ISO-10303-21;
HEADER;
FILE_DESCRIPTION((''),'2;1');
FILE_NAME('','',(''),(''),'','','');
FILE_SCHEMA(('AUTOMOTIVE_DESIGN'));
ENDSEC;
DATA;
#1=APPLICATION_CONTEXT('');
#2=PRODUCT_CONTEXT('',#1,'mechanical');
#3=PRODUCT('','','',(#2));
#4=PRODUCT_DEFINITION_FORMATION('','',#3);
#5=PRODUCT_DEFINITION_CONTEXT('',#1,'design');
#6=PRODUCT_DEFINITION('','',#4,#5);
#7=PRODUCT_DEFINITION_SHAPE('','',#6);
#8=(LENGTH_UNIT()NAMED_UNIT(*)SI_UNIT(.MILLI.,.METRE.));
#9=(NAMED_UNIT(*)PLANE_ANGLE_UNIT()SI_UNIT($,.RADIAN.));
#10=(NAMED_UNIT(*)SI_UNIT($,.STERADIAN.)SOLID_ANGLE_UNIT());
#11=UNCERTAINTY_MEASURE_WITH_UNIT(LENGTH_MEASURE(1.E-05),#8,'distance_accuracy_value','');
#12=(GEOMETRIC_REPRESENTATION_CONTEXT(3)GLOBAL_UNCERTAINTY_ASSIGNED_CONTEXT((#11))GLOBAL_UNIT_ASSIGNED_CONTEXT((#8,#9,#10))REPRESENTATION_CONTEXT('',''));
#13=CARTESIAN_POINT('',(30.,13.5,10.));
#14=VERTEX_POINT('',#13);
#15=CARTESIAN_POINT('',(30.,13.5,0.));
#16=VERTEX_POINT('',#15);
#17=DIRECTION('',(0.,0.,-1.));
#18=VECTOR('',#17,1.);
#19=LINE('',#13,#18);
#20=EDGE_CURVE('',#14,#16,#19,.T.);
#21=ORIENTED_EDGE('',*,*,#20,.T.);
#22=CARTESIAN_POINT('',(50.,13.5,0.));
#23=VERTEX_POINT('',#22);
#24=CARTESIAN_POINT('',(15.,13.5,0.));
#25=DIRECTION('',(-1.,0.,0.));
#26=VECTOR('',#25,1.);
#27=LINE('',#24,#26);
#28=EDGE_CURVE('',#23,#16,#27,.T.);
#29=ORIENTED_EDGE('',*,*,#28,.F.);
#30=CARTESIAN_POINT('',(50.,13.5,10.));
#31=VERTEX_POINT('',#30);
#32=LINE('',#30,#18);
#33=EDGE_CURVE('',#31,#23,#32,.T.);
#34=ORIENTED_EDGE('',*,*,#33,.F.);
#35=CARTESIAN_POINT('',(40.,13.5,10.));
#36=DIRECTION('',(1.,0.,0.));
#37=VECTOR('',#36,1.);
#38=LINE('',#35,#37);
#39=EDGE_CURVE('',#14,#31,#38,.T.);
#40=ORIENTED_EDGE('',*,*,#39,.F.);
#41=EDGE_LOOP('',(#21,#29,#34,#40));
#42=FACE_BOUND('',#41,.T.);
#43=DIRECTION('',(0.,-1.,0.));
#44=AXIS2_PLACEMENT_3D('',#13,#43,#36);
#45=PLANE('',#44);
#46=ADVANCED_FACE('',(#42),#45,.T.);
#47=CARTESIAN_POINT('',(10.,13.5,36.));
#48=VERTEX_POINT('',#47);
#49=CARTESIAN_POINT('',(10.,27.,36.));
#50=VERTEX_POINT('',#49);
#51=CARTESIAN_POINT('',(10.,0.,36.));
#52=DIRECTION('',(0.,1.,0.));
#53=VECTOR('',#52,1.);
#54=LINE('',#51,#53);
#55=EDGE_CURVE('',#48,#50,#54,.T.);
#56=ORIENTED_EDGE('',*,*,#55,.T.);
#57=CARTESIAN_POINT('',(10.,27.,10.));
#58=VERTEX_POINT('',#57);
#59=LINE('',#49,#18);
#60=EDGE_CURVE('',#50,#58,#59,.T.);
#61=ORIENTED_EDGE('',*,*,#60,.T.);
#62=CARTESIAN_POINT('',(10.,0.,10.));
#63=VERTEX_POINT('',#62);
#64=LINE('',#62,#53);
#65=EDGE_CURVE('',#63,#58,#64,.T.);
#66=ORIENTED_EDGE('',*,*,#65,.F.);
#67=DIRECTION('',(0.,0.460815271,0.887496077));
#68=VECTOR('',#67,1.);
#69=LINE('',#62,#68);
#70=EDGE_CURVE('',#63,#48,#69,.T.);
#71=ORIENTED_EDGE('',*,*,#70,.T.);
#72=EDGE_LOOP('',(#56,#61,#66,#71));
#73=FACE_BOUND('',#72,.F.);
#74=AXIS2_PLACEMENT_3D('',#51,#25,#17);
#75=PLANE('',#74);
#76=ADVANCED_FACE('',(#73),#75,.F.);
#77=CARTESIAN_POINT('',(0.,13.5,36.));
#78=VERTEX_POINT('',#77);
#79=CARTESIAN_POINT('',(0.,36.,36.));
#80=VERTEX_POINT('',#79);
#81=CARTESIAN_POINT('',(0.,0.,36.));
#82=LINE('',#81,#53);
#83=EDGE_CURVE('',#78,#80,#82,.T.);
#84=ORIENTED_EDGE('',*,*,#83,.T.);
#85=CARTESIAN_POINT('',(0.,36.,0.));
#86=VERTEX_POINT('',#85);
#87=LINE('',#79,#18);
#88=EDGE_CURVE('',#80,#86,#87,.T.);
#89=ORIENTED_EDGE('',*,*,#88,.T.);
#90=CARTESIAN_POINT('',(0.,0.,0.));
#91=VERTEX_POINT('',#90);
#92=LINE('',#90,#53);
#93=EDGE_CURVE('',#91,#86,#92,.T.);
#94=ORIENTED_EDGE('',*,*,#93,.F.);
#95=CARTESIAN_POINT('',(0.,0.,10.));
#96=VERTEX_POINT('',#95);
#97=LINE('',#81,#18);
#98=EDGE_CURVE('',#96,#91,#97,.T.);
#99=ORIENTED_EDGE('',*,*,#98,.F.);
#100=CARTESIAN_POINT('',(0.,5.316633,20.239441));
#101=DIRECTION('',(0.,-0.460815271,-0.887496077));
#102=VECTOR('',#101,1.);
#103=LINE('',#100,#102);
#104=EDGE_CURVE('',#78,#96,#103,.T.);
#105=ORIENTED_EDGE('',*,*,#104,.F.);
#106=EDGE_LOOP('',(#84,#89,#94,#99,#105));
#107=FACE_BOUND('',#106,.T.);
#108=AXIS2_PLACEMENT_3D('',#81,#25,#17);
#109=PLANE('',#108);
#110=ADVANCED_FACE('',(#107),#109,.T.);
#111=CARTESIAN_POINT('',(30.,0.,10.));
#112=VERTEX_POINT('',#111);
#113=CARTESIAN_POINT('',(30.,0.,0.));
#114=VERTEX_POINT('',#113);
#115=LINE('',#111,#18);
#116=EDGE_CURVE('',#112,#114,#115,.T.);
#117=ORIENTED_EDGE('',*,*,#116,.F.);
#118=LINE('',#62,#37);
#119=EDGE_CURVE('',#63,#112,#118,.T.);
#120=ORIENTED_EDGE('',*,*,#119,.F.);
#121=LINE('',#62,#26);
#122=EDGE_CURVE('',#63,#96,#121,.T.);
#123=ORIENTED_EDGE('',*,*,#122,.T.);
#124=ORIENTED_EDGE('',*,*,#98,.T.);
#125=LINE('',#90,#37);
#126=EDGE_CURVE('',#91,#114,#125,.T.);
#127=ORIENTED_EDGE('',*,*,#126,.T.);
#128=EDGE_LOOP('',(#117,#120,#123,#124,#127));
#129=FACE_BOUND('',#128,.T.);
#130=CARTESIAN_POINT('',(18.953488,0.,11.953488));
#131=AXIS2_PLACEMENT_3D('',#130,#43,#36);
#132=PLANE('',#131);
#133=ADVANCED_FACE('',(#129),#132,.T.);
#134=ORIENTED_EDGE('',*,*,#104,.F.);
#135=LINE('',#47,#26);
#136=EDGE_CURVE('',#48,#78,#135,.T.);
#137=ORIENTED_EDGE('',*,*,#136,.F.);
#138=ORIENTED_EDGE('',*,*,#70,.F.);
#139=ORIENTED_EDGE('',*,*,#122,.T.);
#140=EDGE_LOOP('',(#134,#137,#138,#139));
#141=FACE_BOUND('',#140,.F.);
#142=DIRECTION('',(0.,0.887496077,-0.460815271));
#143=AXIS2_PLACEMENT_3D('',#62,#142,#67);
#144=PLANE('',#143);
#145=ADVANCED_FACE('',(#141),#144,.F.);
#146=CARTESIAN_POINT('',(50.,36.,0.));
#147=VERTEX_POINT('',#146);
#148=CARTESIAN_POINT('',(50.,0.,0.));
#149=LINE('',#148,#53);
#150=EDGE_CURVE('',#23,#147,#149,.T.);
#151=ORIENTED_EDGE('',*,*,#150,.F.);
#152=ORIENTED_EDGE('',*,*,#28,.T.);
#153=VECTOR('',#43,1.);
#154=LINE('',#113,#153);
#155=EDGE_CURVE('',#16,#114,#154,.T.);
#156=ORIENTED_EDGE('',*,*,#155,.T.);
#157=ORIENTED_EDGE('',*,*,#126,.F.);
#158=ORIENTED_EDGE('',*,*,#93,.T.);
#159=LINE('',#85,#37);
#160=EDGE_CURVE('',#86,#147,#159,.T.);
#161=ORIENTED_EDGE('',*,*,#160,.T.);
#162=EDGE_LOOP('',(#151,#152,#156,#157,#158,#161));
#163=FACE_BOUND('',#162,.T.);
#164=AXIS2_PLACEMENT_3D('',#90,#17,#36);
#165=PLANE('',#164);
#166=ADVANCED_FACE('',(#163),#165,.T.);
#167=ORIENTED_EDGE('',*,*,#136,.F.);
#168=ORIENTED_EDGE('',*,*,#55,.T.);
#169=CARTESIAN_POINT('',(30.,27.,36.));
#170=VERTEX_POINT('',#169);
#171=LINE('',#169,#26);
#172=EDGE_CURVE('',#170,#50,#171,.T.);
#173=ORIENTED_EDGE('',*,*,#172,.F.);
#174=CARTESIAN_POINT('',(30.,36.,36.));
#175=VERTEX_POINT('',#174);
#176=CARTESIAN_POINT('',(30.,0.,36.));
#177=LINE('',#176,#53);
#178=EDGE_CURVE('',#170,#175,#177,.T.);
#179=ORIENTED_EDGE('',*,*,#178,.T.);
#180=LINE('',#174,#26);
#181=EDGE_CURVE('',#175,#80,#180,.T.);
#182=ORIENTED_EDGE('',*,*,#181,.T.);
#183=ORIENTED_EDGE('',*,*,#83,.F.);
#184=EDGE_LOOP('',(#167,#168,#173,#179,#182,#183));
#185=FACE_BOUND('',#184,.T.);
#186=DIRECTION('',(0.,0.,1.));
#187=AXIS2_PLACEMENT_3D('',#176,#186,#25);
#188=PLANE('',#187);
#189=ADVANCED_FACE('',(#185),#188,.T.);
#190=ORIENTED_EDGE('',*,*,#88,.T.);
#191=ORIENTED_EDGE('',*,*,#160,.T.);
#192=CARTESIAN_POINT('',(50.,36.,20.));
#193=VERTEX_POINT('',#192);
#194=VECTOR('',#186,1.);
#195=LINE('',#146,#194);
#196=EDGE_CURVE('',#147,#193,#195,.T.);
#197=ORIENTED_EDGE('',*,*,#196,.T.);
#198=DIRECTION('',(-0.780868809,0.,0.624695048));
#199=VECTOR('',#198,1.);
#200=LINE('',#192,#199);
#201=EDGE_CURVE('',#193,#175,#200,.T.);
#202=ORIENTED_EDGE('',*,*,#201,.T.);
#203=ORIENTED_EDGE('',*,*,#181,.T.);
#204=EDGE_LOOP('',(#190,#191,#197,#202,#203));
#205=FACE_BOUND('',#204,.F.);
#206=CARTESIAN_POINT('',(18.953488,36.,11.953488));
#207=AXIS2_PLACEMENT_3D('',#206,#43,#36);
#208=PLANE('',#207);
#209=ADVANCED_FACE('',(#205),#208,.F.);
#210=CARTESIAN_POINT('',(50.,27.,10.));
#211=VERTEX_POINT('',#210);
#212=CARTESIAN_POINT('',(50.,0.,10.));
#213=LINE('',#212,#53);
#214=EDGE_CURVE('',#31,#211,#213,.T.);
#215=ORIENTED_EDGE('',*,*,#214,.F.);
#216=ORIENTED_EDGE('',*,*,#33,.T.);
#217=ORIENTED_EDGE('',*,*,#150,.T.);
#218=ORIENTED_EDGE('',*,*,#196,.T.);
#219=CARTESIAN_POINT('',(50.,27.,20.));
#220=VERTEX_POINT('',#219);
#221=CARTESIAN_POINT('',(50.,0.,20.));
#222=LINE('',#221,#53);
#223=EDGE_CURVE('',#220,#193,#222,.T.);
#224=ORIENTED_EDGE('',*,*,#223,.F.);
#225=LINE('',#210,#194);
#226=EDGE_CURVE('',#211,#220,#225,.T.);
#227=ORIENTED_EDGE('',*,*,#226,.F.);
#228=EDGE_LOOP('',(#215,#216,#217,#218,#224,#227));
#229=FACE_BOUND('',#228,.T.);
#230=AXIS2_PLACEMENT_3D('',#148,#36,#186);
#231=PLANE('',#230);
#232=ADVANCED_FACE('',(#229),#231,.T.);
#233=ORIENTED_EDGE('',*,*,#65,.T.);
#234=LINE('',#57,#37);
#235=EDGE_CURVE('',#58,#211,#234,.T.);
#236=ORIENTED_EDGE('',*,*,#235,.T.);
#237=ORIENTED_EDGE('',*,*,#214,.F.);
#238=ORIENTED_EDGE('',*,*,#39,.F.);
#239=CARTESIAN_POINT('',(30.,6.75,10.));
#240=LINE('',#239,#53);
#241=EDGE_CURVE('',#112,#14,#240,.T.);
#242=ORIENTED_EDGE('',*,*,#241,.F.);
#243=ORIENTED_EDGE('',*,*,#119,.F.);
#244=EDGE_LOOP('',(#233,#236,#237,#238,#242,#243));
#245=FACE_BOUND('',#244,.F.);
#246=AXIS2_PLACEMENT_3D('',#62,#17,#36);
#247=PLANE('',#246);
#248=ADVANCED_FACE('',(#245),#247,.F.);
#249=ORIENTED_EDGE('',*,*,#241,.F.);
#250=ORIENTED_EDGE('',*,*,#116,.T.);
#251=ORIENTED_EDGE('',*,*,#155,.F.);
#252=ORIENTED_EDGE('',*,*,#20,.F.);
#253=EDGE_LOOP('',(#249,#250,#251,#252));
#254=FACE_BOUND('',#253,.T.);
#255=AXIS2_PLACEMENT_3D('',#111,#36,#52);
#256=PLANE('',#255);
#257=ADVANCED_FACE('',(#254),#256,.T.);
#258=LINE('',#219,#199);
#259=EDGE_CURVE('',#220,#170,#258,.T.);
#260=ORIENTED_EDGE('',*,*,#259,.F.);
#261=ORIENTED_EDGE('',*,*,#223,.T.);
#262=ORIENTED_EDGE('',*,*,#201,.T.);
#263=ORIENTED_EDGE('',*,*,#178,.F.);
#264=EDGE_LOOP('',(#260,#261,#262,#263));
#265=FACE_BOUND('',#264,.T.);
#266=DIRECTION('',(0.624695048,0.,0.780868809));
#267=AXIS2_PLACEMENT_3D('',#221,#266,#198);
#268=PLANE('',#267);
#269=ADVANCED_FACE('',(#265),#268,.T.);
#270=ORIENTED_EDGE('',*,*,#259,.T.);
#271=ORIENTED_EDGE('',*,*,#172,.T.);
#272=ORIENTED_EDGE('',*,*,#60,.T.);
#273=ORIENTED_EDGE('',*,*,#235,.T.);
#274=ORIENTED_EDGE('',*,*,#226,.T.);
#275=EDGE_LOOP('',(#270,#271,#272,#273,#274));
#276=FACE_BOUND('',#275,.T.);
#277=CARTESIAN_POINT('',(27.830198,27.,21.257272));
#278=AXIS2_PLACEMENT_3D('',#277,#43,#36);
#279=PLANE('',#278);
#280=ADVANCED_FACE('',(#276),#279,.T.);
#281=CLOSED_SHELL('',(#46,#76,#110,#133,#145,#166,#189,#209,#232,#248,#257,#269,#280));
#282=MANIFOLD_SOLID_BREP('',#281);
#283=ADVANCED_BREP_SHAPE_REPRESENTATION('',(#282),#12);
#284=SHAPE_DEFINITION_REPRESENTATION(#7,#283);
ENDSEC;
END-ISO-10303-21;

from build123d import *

# Parameters (mm, degrees)
F1_DEPTH = 36
F2_DEPTH = 27
F4_DEPTH = 10.001
F5_W     = 20
F5_H     = 13.5
F6_DEPTH = 10.001


with BuildPart() as f1:
    # F0 (on Front) → F1 (new body)
    with BuildSketch(Plane.XZ):
        Polygon((0, 36), (0, 0), (50, 0), (50, 10), (10, 10), (10, 36), align=None)
        Polygon((10, 10), (50, 10), (50, 20), (30, 36), (10, 36), align=None)
    extrude(amount=-F1_DEPTH)

    # F0 (on Front) → F2 (cut)
    with BuildSketch(Plane.XZ):
        Polygon((10, 10), (50, 10), (50, 20), (30, 36), (10, 36), align=None)
    extrude(amount=-F2_DEPTH, mode=Mode.SUBTRACT)

    # F3 (on face) → F4 (cut, through all)
    with BuildSketch(Plane.YZ.offset(10)):
        Polygon((0, 10), (13.5, 36), (0, 36), align=None)
    extrude(amount=-F4_DEPTH, mode=Mode.SUBTRACT)

    # F5 (on face) → F6 (cut, through all)
    with BuildSketch(Plane.XY.offset(10)):
        with Locations((40, 6.75)):
            Rectangle(F5_W, F5_H)
    extrude(amount=-F6_DEPTH, mode=Mode.SUBTRACT)


solid = f1.part
